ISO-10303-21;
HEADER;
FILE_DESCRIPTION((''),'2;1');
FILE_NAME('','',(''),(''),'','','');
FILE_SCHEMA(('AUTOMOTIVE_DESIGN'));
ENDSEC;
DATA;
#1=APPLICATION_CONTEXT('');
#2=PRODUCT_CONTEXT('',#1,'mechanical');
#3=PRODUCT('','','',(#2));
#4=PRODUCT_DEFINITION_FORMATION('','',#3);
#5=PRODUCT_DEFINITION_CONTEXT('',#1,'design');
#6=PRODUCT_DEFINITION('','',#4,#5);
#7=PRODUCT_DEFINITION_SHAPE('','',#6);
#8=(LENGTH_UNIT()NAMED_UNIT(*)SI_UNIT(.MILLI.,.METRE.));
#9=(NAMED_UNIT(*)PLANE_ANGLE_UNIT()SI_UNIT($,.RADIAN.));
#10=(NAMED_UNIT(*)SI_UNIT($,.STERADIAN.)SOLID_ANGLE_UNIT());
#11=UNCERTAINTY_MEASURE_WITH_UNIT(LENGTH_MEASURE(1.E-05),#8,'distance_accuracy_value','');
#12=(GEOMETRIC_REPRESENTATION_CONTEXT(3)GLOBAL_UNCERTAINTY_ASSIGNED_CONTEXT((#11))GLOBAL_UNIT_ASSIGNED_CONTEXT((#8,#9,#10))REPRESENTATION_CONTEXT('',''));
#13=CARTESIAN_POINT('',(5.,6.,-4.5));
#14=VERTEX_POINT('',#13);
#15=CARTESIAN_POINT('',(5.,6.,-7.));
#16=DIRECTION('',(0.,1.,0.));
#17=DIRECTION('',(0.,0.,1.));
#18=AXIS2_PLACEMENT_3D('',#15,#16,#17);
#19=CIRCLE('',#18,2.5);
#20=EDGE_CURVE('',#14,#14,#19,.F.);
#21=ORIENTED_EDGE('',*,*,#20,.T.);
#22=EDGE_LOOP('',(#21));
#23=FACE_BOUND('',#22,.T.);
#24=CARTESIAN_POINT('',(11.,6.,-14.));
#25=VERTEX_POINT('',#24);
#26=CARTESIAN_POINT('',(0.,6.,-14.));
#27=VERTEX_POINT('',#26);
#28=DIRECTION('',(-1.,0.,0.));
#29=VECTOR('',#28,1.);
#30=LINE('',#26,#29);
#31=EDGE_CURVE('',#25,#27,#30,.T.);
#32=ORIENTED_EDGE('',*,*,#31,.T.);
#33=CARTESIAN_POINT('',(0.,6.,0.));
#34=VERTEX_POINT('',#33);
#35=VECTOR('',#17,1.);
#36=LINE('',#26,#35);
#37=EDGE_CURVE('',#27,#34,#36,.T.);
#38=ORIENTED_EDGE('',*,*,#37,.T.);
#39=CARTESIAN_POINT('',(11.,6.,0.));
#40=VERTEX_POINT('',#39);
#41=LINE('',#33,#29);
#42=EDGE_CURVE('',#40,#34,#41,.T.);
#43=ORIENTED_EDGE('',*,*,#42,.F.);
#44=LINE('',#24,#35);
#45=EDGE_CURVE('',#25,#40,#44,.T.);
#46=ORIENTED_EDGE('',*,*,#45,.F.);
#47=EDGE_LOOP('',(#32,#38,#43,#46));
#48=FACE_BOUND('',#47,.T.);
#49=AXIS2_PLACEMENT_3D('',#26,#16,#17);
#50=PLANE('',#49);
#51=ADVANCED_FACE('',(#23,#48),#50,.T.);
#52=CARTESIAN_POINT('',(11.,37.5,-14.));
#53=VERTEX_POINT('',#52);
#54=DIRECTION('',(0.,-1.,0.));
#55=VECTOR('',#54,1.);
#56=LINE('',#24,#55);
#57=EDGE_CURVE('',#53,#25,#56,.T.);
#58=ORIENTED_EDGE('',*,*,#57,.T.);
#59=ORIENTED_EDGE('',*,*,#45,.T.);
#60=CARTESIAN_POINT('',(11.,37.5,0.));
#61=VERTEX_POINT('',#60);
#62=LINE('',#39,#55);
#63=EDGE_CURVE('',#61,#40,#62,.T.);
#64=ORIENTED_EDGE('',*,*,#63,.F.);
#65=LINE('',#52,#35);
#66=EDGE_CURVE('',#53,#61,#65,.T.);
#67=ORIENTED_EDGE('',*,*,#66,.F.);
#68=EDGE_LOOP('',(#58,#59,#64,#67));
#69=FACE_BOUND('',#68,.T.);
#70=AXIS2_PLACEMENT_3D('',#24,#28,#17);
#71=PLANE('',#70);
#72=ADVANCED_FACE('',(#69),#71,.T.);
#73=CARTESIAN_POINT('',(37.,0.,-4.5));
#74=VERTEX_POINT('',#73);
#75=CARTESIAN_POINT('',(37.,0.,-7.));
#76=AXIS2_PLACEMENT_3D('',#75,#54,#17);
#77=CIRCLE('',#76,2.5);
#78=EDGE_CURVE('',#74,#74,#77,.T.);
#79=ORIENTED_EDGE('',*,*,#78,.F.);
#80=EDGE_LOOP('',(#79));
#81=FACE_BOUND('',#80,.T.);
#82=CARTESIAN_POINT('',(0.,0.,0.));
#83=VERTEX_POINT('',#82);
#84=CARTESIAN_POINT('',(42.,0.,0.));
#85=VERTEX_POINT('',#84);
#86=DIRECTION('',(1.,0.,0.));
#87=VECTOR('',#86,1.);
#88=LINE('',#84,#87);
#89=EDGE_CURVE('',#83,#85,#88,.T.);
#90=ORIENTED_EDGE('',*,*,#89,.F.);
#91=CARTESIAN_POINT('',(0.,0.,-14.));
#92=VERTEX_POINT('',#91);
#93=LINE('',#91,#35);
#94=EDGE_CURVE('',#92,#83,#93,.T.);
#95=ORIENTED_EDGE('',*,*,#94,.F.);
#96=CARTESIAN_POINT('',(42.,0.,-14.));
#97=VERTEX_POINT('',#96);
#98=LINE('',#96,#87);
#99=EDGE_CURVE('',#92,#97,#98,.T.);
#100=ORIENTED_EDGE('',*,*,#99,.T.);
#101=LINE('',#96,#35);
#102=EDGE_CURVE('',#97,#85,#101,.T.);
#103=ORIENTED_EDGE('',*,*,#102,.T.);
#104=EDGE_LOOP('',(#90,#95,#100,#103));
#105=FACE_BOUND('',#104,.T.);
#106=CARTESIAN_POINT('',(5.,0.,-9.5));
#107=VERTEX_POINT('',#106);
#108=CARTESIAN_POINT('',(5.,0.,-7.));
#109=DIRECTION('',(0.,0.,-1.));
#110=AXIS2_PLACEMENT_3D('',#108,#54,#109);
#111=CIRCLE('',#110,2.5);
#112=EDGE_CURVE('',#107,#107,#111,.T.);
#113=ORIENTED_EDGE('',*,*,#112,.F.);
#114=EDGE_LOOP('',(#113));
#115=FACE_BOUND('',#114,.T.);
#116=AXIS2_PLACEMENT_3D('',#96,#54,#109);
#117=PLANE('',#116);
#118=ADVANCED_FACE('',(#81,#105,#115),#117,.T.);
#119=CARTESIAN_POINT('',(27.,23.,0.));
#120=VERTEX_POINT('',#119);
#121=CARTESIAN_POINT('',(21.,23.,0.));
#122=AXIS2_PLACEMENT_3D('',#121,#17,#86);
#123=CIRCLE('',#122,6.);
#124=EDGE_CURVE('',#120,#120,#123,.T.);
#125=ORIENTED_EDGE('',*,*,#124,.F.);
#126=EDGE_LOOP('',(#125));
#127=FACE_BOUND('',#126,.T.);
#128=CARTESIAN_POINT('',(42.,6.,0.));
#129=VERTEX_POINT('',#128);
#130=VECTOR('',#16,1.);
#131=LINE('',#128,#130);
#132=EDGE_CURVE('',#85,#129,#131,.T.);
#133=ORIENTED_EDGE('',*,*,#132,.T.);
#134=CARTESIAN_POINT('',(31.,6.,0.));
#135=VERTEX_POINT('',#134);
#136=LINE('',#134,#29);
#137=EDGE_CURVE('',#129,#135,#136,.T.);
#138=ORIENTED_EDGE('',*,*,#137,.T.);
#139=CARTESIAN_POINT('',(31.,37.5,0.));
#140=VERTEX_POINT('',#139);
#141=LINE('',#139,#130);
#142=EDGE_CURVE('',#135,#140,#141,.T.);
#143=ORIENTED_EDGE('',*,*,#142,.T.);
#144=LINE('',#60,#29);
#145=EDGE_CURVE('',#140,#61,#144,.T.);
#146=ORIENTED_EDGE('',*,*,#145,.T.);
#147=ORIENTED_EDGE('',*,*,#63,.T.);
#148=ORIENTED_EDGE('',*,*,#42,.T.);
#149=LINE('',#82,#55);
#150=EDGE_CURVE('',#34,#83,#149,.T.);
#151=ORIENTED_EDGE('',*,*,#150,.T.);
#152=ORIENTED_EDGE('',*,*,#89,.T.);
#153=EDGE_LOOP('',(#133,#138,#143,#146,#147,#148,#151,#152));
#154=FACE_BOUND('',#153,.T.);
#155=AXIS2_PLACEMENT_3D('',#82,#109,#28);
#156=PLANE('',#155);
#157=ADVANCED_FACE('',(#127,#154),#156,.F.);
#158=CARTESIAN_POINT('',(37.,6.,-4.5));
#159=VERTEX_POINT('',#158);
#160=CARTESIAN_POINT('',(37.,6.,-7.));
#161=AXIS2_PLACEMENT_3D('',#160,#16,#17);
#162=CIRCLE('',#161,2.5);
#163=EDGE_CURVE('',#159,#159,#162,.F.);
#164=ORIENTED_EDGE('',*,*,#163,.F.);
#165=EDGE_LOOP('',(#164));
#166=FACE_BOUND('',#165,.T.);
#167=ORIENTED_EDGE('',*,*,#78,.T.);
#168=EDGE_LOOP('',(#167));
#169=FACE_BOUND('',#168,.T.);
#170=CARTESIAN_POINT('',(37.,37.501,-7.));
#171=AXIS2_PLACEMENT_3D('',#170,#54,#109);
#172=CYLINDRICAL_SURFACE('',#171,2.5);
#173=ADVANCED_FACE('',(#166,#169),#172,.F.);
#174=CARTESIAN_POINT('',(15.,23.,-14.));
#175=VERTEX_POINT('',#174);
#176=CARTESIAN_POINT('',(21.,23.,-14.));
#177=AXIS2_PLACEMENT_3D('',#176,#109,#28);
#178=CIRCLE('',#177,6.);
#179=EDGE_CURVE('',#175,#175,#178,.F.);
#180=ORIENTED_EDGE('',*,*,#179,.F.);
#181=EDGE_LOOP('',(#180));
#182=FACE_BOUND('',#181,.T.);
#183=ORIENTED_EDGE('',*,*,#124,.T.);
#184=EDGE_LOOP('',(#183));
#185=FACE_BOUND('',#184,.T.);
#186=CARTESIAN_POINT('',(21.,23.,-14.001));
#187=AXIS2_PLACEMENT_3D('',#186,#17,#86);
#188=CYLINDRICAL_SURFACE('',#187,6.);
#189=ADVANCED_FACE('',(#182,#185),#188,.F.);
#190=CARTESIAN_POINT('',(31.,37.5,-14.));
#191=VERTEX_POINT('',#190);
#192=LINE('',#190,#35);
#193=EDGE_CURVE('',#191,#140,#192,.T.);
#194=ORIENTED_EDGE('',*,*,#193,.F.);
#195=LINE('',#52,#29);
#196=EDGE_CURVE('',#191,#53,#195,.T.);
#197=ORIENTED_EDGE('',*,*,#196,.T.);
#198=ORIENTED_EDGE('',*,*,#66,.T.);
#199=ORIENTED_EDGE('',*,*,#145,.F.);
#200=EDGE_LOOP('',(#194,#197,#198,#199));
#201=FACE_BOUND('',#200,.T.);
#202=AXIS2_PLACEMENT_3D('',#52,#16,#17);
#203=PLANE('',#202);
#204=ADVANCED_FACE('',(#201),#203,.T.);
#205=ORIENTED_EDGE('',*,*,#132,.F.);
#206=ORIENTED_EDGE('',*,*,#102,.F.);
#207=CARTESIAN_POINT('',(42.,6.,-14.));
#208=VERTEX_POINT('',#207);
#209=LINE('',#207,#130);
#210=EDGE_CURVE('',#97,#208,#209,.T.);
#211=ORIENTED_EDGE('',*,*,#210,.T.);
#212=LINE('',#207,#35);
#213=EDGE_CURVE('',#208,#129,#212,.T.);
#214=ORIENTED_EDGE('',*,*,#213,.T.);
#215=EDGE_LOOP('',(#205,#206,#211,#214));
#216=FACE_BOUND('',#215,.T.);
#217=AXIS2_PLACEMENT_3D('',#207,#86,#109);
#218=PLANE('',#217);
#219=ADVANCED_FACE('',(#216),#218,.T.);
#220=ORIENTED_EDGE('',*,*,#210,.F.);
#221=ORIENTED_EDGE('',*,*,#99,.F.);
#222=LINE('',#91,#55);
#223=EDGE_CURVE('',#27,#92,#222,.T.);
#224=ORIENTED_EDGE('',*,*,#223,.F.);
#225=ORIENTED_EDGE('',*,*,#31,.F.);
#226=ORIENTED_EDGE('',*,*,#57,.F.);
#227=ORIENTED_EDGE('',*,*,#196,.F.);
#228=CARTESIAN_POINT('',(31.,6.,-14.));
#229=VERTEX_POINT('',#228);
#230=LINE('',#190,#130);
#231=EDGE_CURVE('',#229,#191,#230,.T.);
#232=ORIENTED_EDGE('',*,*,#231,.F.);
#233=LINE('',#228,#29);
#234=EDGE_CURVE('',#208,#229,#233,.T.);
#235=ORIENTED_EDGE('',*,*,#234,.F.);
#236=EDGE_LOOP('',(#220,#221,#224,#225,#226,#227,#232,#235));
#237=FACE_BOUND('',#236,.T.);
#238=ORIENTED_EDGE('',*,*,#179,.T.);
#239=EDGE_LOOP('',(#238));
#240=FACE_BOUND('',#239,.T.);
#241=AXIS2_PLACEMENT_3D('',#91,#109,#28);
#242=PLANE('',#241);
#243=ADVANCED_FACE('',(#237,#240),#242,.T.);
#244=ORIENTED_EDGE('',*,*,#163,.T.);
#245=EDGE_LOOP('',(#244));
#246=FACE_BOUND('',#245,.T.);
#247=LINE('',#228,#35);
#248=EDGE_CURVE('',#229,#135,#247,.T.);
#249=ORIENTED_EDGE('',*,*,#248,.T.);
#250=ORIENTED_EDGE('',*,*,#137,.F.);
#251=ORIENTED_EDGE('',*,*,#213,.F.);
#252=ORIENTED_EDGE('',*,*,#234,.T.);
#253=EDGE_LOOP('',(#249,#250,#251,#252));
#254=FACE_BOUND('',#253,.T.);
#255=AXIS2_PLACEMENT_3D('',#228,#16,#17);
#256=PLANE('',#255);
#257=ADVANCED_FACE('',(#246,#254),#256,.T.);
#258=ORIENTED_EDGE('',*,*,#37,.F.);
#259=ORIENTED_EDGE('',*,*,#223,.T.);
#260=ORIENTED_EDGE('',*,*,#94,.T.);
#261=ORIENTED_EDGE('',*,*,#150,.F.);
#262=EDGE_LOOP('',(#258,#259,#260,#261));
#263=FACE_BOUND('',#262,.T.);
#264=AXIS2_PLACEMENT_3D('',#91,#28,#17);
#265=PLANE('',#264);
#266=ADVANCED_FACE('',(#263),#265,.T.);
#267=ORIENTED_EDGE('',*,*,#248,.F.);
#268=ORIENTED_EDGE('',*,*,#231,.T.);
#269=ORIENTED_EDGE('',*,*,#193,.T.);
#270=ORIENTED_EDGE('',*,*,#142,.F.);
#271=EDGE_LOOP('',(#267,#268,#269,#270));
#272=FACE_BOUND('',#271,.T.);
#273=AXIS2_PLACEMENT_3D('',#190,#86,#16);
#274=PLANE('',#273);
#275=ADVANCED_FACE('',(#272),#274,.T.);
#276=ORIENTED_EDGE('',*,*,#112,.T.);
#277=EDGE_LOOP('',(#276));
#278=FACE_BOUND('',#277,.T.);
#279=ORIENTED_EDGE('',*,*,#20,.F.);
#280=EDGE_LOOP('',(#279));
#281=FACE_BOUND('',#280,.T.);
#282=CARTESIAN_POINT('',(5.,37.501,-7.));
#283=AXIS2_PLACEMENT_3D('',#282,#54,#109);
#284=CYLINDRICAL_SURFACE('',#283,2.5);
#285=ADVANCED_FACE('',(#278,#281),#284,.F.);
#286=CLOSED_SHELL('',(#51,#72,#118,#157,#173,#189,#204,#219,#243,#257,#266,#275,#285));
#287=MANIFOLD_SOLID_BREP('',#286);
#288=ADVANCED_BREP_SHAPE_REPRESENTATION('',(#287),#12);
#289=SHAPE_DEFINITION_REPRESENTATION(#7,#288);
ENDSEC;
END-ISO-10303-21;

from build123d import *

# Parameters (mm, degrees)
BOSS_EXTRUDE1_DEPTH = 14
CUT_EXTRUDE1_REACH  = 39.5
SKETCH2_R           = 2.5
CUT_EXTRUDE2_REACH  = 16
SKETCH3_R           = 6


with BuildPart() as part:
    # Sketch1 → Boss-Extrude1 (new body)
    with BuildSketch(Plane.XY):
        Polygon((0, 0), (0, 6), (11, 6), (11, 37.5), (31, 37.5), (31, 6), (42, 6), (42, 0), align=None)
    extrude(amount=-BOSS_EXTRUDE1_DEPTH)

    # Sketch2 → Cut-Extrude1 (cut, up to next)
    with BuildSketch(Plane.XZ, mode=Mode.PRIVATE) as cut_extrude1_sk1:
        with Locations((5, -7)):
            Circle(SKETCH2_R)
    cut_extrude1_tool1 = extrude(cut_extrude1_sk1.sketch, amount=-CUT_EXTRUDE1_REACH, mode=Mode.PRIVATE) & part.part
    add(cut_extrude1_tool1.solids().sort_by_distance((5, 0, -7))[0], mode=Mode.SUBTRACT)
    # Sketch2 → Cut-Extrude1 (cut, up to next)
    with BuildSketch(Plane.XZ, mode=Mode.PRIVATE) as cut_extrude1_sk2:
        with Locations((37, -7)):
            Circle(SKETCH2_R)
    cut_extrude1_tool2 = extrude(cut_extrude1_sk2.sketch, amount=-CUT_EXTRUDE1_REACH, mode=Mode.PRIVATE) & part.part
    add(cut_extrude1_tool2.solids().sort_by_distance((37, 0, -7))[0], mode=Mode.SUBTRACT)

    # Sketch3 → Cut-Extrude2 (cut, up to next)
    with BuildSketch(Plane.XY, mode=Mode.PRIVATE) as cut_extrude2_sk1:
        with Locations((21, 23)):
            Circle(SKETCH3_R)
    cut_extrude2_tool1 = extrude(cut_extrude2_sk1.sketch, amount=-CUT_EXTRUDE2_REACH, mode=Mode.PRIVATE) & part.part
    add(cut_extrude2_tool1.solids().sort_by_distance((21, 23, 0))[0], mode=Mode.SUBTRACT)


solid = part.part
